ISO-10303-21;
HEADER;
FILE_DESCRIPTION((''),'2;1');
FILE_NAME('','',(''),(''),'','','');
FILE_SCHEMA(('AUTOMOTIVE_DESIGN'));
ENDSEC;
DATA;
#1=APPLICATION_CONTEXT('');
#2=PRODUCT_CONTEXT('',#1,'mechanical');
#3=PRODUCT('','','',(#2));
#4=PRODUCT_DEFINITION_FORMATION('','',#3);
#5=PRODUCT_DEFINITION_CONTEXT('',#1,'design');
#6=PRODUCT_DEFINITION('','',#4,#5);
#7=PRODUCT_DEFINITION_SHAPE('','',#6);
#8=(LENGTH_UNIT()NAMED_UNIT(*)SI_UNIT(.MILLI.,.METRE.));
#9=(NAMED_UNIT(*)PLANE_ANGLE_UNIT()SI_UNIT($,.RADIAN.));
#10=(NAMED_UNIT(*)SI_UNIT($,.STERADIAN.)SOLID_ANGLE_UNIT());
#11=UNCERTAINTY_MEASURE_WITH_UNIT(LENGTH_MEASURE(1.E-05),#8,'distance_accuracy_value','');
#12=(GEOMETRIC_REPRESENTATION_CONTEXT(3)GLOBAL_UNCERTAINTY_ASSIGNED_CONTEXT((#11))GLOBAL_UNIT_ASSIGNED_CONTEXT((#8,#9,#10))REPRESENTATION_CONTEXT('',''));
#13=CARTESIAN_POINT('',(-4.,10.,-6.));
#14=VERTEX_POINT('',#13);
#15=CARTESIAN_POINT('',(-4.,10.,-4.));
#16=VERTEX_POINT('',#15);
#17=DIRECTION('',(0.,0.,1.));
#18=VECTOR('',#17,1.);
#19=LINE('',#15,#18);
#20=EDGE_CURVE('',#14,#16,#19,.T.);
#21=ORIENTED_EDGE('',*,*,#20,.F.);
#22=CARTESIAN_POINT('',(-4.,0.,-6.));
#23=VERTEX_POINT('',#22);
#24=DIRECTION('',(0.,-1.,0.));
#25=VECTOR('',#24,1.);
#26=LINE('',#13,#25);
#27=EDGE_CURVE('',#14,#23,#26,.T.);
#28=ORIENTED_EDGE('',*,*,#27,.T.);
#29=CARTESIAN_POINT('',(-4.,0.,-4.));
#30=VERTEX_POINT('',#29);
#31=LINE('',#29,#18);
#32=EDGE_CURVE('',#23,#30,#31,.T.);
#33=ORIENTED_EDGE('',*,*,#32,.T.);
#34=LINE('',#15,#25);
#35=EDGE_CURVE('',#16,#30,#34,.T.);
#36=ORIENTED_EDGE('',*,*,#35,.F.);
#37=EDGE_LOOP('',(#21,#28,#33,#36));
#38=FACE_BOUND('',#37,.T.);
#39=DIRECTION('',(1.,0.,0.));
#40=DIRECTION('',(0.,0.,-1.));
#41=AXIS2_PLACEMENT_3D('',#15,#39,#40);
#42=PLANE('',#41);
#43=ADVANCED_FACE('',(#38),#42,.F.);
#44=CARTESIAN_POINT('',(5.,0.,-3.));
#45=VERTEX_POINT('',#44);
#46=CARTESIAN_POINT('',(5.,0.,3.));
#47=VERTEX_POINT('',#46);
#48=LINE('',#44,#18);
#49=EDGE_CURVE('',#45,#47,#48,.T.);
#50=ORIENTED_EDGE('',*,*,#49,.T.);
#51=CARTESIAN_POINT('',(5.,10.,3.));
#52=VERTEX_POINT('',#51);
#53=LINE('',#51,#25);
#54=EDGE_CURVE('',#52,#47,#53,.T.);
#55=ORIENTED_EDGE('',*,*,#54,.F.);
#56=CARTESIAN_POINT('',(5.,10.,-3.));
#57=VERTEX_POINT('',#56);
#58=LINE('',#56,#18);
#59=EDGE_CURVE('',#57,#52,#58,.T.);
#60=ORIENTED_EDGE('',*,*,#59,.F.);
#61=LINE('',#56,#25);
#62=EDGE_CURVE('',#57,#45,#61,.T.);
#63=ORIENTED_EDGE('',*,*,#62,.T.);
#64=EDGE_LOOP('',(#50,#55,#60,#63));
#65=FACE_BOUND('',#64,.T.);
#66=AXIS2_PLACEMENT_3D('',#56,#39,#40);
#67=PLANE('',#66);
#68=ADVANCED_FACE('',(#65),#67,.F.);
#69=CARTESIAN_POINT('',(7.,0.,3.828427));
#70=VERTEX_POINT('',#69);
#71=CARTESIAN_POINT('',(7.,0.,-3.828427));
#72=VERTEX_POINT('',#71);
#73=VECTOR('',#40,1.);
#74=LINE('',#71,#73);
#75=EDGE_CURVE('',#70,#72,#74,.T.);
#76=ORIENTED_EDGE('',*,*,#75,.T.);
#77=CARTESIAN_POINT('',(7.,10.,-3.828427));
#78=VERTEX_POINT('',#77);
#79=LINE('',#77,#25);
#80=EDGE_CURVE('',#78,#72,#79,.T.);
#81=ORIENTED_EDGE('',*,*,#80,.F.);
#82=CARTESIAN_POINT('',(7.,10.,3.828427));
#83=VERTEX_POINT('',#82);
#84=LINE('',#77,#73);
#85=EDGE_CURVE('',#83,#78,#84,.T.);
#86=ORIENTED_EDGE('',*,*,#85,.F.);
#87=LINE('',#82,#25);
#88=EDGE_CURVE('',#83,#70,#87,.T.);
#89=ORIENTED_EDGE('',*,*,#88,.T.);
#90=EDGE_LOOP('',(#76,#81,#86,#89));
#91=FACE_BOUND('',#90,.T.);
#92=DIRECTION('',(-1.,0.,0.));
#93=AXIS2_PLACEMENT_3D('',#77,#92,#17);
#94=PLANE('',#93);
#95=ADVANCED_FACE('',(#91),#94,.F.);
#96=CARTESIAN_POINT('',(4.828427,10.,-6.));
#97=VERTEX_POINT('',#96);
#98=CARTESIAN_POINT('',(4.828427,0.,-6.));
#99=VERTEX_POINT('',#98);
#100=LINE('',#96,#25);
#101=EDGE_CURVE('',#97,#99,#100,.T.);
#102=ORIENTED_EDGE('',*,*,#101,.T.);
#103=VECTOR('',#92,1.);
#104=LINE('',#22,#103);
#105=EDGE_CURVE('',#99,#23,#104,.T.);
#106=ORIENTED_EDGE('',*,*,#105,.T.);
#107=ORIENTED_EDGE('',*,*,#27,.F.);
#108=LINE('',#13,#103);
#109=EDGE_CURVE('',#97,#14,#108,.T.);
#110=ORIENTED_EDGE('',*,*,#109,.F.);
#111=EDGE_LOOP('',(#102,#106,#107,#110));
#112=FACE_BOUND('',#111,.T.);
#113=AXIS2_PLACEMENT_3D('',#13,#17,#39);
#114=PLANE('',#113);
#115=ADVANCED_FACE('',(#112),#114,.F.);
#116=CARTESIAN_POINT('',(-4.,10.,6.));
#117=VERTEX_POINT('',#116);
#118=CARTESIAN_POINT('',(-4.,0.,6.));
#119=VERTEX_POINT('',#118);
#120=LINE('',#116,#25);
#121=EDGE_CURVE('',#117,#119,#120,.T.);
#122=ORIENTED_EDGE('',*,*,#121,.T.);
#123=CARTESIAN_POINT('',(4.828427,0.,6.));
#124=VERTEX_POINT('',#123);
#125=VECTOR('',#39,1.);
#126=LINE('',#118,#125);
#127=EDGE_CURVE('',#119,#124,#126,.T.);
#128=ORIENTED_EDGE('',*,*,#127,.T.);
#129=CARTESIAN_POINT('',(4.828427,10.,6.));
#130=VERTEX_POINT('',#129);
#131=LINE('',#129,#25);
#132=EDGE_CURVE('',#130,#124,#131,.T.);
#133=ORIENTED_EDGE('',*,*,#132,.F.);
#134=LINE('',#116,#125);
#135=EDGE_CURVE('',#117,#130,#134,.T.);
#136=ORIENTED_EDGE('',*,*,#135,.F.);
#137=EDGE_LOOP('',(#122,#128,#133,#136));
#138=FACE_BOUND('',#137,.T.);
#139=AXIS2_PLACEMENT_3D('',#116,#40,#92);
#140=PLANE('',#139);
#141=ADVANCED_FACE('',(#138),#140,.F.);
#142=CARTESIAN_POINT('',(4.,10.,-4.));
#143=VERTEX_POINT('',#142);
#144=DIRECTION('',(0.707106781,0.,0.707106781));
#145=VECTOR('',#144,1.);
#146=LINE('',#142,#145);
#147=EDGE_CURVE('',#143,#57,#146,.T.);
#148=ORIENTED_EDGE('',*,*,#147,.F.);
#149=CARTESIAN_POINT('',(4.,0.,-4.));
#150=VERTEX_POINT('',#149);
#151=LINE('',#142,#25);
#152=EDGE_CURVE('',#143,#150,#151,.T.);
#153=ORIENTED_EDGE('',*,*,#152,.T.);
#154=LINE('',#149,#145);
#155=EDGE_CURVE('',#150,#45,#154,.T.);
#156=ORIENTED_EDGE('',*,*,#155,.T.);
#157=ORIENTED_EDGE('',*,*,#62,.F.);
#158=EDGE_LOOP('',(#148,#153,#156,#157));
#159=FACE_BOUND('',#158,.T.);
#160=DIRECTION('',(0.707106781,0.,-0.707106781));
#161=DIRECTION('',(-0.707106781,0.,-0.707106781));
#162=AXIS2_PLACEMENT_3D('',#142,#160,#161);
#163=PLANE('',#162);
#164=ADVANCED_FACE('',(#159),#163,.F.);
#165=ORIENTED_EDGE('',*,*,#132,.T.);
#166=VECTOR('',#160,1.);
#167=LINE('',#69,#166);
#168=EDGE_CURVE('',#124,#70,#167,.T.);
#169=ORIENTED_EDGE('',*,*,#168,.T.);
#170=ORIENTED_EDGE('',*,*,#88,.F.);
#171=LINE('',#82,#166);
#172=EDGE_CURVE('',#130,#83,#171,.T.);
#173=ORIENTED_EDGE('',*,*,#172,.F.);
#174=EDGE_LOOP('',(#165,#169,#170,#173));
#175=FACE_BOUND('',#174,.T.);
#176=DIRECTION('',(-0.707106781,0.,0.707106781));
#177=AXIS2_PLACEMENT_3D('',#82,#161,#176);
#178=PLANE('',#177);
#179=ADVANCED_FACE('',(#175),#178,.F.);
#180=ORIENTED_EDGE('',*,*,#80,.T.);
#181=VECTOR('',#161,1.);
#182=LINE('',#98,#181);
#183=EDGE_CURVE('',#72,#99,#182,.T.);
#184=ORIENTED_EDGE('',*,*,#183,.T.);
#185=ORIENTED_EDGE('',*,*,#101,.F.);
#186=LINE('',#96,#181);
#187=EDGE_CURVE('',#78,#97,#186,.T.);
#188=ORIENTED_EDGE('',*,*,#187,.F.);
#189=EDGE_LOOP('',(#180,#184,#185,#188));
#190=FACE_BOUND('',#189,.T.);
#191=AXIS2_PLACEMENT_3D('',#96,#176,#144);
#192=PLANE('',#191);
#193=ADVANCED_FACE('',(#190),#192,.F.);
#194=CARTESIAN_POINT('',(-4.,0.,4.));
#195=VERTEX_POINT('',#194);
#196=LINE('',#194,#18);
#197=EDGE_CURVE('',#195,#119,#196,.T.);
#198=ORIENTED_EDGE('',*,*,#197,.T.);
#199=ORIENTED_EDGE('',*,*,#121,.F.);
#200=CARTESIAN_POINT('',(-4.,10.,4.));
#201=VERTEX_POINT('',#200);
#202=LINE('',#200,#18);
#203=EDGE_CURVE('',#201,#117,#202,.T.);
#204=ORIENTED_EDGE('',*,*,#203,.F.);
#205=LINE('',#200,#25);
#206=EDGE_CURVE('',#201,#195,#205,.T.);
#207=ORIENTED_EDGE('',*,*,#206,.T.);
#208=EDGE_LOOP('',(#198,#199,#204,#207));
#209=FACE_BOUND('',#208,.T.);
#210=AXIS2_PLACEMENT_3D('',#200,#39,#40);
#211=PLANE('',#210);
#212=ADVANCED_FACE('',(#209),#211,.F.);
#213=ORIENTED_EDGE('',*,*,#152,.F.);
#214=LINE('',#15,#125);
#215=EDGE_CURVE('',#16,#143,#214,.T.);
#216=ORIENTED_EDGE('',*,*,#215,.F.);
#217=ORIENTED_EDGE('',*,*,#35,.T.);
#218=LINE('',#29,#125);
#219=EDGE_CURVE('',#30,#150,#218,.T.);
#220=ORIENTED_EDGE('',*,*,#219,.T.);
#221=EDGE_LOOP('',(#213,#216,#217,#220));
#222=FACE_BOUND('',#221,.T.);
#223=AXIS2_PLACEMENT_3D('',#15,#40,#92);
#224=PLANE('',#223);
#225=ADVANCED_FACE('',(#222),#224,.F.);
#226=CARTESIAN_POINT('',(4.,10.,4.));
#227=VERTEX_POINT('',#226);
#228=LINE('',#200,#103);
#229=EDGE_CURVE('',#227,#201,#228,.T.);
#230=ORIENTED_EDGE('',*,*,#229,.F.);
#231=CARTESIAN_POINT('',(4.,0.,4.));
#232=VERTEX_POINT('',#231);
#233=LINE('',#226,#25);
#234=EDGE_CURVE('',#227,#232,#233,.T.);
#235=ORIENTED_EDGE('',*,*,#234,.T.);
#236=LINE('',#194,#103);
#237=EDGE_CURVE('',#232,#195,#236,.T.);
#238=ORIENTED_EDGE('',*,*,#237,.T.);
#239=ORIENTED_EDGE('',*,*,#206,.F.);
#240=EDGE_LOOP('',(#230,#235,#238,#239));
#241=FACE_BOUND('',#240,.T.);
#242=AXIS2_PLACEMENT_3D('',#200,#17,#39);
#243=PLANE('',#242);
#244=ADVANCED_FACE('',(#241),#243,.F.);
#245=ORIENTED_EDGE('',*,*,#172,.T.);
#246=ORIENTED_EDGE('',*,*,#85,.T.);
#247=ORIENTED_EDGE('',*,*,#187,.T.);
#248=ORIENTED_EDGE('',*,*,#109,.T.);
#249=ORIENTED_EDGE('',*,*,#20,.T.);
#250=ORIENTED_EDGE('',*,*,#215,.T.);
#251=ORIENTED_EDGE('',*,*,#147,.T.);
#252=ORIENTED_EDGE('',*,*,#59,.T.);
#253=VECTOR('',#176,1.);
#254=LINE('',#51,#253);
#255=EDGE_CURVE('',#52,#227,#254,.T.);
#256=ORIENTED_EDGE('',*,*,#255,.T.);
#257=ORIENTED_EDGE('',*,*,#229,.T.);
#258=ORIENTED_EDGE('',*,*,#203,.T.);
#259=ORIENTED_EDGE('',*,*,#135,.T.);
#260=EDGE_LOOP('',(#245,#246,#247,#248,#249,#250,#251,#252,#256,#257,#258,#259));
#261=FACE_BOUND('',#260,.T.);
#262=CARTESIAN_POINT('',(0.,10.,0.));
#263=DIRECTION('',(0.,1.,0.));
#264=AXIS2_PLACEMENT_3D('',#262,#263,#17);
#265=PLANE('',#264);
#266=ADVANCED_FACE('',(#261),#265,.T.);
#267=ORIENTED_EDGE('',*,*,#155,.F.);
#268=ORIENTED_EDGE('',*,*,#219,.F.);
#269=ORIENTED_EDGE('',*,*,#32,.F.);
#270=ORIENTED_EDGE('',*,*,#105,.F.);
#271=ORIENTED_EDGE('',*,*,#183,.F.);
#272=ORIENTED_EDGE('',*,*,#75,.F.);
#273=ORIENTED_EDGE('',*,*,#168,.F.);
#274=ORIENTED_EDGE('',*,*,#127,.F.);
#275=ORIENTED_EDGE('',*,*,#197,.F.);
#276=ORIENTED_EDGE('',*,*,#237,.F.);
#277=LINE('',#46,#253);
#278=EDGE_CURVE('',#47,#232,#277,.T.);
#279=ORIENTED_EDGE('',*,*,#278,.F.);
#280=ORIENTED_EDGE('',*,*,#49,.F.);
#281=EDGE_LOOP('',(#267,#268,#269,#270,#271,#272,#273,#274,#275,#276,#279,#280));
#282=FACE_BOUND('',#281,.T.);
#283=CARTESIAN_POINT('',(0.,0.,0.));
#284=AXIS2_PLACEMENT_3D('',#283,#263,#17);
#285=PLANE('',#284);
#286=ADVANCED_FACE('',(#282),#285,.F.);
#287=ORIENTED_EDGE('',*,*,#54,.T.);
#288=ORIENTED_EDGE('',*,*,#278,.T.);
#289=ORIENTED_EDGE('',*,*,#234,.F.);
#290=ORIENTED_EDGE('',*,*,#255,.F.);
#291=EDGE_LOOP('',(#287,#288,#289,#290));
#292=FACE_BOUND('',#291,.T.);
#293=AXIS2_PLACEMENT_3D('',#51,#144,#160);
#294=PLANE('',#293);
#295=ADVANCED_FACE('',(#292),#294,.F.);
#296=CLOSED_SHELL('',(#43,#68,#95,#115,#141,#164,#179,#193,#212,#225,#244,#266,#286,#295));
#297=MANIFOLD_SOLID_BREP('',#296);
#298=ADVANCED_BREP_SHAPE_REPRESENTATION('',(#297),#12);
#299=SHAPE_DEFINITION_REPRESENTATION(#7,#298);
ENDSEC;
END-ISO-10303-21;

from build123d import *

# Parameters (mm, degrees)
BOSS_EXTRUDE1_DEPTH = 10


with BuildPart() as part:
    # Sketch1 → Boss-Extrude1 (new body)
    with BuildSketch(Plane(origin=(0, 0, 0), x_dir=(1, 0, 0), z_dir=(0, 1, 0))):
        Polygon((-4, 4), (4, 4), (5, 3), (5, -3), (4, -4), (-4, -4), (-4, -6), (4.828427125, -6), (7, -3.828427125), (7, 3.828427125), (4.828427125, 6), (-4, 6), align=None)
    extrude(amount=BOSS_EXTRUDE1_DEPTH)


solid = part.part
